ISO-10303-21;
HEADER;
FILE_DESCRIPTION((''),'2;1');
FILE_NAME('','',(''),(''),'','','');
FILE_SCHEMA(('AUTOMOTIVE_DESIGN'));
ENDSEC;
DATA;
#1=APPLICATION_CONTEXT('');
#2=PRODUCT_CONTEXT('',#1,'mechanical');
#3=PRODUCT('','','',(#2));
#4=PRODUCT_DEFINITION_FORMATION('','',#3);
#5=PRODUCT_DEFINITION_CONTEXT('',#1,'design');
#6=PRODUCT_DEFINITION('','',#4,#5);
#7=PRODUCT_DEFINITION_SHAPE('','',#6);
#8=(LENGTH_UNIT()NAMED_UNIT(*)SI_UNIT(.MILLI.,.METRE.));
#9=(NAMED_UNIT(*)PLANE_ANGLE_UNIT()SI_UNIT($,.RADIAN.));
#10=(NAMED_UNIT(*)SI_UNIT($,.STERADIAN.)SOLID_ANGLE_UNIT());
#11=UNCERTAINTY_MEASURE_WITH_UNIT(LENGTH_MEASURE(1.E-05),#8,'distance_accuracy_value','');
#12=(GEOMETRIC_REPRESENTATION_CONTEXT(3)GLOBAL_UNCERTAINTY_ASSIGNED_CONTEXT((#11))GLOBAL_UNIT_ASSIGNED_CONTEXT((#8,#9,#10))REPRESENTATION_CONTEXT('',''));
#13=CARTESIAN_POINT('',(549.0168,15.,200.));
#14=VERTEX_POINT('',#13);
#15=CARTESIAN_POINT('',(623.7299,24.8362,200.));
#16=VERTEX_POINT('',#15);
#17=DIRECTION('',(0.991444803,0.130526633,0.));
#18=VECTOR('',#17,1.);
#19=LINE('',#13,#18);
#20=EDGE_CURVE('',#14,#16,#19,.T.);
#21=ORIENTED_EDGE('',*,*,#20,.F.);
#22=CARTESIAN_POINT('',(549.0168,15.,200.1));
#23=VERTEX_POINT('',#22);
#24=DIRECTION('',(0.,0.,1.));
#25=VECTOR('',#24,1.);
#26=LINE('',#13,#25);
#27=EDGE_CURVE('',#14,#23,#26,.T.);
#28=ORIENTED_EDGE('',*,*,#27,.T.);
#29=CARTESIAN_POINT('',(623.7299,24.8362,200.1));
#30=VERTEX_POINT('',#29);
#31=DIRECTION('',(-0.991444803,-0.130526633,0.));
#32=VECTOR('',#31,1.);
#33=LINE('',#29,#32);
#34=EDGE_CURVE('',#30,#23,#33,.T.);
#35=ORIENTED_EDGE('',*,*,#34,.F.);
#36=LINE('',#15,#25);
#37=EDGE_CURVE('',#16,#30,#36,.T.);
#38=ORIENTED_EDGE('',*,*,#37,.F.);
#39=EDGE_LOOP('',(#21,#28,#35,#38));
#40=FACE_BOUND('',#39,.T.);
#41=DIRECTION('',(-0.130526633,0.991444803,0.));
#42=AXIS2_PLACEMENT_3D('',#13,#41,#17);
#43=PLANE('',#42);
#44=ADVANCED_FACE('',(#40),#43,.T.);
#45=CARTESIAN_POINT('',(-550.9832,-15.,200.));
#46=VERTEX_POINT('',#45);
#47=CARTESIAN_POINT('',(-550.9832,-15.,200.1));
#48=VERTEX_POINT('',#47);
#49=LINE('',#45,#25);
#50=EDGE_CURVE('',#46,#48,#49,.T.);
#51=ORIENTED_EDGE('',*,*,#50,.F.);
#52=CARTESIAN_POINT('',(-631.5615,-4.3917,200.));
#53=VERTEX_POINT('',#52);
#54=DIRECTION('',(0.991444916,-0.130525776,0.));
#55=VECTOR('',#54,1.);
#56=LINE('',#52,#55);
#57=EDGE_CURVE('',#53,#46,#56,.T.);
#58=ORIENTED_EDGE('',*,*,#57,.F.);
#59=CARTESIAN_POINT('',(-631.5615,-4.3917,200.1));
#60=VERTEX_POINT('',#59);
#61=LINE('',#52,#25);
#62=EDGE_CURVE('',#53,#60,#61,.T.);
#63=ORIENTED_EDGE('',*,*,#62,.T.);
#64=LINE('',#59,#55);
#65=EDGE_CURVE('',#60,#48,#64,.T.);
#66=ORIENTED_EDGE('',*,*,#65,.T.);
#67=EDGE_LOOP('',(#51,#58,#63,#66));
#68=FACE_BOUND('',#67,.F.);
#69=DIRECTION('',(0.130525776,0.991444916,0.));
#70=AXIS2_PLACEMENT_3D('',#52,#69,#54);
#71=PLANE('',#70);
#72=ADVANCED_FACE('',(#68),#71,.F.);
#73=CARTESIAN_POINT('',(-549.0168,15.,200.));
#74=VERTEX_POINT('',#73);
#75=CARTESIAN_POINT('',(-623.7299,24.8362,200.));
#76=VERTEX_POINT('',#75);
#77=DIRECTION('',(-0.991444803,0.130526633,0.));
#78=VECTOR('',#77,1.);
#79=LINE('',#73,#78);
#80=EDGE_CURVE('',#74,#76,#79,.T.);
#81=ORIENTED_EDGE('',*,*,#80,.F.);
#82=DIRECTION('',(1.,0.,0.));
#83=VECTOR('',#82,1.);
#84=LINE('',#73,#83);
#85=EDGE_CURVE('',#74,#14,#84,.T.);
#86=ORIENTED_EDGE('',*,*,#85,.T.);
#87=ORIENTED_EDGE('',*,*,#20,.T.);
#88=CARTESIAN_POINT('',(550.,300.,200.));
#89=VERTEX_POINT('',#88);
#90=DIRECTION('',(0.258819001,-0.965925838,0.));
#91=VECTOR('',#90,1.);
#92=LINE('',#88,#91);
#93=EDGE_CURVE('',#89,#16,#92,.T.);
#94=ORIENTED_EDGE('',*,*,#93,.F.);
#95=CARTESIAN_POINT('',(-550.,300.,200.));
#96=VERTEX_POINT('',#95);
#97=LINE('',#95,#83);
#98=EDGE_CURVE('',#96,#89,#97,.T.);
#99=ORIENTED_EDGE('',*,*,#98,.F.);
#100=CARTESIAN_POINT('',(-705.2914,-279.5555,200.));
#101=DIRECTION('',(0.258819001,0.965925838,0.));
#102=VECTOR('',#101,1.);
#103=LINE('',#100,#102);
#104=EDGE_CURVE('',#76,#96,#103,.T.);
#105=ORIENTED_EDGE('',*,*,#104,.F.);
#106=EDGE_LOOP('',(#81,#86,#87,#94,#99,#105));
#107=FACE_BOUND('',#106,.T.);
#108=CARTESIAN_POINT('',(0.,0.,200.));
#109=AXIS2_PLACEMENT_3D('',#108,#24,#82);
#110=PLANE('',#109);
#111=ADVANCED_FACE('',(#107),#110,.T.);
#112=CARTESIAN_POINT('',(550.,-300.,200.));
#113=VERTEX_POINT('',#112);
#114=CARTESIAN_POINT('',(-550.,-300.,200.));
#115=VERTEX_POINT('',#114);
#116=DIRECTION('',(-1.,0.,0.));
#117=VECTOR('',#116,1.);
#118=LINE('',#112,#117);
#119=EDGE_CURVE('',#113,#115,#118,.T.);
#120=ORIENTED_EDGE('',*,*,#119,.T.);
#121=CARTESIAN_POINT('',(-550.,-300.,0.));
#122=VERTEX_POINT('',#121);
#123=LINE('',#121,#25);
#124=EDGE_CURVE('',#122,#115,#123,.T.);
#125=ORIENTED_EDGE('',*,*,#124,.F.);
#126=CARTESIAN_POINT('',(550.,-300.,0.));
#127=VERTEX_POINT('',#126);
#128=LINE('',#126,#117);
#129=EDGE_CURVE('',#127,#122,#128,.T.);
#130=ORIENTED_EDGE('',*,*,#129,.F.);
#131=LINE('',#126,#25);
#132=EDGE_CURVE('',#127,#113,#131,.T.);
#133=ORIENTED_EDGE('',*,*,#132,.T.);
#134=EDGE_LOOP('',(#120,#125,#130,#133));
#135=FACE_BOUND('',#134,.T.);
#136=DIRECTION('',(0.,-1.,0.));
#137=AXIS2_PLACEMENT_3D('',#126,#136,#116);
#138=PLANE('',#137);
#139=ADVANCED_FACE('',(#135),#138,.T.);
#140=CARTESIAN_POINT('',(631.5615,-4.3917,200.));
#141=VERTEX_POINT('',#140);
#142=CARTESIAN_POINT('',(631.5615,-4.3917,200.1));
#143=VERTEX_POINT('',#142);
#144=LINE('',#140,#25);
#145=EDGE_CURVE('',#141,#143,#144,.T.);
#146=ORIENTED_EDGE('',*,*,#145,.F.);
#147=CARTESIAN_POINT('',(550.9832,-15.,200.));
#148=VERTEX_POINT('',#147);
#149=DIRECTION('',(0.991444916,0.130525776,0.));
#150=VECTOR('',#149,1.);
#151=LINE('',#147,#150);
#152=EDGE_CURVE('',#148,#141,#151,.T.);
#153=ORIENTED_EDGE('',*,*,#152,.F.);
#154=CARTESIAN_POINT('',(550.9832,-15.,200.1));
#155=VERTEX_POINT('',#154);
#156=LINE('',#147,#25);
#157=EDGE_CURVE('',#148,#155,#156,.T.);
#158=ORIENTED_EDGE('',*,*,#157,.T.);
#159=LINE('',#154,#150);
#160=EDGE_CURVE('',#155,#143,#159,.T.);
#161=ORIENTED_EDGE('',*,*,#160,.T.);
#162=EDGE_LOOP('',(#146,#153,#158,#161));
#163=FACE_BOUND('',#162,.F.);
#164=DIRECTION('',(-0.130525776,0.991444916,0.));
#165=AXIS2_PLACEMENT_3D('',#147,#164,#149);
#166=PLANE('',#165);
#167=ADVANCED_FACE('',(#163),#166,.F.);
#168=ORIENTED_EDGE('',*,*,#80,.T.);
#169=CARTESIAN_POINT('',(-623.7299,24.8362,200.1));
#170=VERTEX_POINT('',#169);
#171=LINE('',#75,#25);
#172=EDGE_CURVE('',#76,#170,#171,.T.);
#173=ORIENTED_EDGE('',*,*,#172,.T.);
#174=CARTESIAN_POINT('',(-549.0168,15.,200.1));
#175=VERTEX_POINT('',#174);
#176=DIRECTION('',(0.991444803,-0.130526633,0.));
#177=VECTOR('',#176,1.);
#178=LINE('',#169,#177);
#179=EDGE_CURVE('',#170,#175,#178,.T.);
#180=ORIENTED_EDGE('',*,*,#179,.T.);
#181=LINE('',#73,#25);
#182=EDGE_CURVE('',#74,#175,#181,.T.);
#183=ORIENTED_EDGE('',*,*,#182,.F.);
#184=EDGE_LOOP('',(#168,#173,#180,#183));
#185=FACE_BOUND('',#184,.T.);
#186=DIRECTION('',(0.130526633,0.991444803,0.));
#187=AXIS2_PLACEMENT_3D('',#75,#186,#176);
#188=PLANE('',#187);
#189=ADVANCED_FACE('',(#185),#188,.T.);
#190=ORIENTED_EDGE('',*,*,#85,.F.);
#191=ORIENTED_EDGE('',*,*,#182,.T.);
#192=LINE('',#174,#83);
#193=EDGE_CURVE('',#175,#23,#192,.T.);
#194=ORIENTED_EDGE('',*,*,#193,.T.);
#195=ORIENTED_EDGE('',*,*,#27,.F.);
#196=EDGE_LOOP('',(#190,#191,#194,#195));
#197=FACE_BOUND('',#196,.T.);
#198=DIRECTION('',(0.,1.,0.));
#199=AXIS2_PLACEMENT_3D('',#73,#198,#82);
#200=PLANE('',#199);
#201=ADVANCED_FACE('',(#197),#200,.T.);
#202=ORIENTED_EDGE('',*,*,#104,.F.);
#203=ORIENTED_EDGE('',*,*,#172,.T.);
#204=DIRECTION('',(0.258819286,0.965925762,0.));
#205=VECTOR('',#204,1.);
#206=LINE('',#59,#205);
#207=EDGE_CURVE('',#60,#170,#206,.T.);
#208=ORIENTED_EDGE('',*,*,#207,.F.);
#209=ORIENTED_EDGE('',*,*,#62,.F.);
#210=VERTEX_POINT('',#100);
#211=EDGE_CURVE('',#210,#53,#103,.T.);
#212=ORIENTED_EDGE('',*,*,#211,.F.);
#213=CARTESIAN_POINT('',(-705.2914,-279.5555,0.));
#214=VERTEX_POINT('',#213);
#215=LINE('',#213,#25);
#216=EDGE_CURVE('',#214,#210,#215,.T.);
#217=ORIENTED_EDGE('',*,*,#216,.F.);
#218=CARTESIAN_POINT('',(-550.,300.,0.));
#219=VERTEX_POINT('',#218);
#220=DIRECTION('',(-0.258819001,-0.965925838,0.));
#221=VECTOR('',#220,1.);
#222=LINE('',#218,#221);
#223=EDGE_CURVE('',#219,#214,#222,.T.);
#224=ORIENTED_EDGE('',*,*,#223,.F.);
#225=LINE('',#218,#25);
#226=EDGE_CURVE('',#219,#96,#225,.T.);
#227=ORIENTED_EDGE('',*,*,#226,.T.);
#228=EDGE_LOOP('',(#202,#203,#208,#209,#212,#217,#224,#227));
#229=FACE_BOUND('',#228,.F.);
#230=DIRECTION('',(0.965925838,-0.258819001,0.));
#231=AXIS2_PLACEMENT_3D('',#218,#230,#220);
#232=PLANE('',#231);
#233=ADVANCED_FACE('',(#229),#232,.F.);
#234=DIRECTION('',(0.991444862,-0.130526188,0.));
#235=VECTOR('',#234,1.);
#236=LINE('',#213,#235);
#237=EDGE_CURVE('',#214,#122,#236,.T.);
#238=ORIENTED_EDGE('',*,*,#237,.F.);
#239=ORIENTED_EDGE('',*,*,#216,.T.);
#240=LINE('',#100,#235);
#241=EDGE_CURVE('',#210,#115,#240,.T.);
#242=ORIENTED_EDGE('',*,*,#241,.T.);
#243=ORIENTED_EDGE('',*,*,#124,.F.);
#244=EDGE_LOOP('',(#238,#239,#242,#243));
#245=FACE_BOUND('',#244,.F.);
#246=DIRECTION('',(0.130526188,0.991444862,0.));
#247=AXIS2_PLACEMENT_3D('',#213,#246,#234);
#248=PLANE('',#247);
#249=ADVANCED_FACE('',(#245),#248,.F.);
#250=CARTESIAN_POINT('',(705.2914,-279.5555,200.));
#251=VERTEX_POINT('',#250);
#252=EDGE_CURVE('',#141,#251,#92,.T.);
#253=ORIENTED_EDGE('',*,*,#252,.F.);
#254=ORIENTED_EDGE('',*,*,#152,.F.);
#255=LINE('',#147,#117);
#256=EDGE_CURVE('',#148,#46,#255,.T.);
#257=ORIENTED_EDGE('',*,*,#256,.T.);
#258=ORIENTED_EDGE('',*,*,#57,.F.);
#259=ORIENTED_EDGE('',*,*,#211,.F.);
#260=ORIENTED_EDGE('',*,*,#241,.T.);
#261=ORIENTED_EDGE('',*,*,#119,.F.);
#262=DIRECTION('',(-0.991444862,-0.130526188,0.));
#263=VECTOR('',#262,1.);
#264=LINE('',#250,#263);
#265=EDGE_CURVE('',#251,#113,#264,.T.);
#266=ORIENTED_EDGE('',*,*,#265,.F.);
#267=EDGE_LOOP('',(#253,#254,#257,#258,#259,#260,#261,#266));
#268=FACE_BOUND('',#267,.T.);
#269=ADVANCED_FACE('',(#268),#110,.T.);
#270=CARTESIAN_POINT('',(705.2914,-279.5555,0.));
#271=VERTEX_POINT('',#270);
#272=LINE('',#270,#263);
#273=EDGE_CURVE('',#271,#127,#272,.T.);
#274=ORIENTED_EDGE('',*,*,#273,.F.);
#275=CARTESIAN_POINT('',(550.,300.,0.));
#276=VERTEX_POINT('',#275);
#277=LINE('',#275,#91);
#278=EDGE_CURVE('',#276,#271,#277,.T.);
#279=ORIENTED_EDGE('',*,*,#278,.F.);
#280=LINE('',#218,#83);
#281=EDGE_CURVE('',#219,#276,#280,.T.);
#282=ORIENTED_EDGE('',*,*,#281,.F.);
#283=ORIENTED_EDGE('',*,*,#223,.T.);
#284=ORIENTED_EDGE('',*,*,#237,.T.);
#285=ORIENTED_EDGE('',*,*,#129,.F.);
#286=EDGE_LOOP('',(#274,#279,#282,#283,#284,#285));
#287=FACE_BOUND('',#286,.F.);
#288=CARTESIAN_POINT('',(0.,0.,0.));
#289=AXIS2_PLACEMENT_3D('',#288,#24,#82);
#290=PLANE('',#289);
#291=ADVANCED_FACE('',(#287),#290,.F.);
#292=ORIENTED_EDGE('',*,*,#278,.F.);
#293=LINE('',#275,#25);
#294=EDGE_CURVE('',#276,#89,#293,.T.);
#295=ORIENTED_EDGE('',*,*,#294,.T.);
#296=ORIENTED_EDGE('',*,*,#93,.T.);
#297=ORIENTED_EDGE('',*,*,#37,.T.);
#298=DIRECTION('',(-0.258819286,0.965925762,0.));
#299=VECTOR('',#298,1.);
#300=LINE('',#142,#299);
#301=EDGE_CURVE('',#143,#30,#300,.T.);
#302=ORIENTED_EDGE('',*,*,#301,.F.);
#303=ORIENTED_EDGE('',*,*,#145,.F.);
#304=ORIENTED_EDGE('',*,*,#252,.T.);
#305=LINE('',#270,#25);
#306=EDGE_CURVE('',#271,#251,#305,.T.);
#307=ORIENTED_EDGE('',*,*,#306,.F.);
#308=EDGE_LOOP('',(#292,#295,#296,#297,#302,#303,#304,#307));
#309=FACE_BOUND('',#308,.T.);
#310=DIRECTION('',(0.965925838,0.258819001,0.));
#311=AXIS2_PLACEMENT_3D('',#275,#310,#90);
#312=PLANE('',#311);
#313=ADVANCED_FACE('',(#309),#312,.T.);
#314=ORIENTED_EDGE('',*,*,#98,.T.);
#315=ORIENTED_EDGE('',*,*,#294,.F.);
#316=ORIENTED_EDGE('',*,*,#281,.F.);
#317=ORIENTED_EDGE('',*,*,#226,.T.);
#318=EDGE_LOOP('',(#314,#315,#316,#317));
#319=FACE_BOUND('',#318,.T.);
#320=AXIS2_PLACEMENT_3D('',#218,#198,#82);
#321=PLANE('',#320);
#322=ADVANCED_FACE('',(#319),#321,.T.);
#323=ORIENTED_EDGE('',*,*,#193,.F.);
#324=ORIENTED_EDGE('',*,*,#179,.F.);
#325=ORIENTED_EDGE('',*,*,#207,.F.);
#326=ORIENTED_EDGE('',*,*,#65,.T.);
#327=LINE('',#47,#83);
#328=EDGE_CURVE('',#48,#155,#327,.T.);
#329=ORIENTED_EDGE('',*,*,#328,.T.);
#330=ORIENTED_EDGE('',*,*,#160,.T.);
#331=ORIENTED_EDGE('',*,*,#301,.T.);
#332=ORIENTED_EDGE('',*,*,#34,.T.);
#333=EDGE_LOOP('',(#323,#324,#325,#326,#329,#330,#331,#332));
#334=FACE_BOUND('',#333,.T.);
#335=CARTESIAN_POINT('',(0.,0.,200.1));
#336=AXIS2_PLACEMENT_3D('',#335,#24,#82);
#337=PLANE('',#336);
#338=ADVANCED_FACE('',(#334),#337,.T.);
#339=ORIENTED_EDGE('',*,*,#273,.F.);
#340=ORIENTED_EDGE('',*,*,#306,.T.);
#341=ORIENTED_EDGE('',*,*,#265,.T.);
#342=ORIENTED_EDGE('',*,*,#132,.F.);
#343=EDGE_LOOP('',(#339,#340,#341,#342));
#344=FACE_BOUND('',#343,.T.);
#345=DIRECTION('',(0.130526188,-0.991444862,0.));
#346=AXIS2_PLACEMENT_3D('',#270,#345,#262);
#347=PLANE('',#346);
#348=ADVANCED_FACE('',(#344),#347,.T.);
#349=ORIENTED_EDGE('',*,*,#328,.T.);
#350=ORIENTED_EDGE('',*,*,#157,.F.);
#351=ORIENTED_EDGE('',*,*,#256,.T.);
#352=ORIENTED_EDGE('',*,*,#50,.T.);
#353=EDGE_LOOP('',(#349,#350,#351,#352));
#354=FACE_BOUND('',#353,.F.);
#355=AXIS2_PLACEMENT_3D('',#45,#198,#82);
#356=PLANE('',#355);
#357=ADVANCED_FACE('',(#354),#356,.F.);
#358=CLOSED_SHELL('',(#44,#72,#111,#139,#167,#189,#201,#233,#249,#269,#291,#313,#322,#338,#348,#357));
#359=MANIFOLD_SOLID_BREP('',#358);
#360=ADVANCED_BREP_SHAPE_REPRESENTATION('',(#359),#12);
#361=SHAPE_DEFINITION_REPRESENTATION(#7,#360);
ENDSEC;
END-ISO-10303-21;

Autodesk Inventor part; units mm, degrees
ref_plane "YZ Plane" through (0, 0, 0) normal (1, 0, 0) x (0, 1, 0)
ref_plane "XZ Plane" through (0, 0, 0) normal (0, 1, 0) x (-1, 0, 0)
ref_plane "XY Plane" through (0, 0, 0) normal (0, 0, 1) x (1, 0, 0)
sketch "スケッチ1" plane through (0, 0, 0) normal (0, 0, 1) x (1, 0, 0)
  line L0 (-550, 300) -> (550, 300)
  line L1 (550, 300) -> (550, -300)
  line L2 (550, -300) -> (-550, -300)
  line L3 (-550, -300) -> (-550, 300)
  line L4 (-550, 300) -> (-705.2914, -279.5555)
  line L5 (-705.2914, -279.5555) -> (-550, -300)
  line L6 (-550, 0) -> (-627.6457, 10.2223)
  line L7 (550, 300) -> (705.2914, -279.5555)
  line L8 (705.2914, -279.5555) -> (550, -300)
  point P0 (0, 0)
  point P1 (0, 300)
  point P2 (550, 0)
  dimension "d0" = 600
  dimension "d1" = 1100
  dimension "d2" = 15
  dimension "d3" = 600
  dimension "d4" = 600
  dimension "d5" = 15
extrude "押し出し1" add sketch "スケッチ1" along normal blind 200
sketch "スケッチ2" plane through (0, 0, 200) normal (0, 0, 1) x (1, 0, 0)
  line L0 (-550, 300) -> (-705.2914, -279.5555) projected
  line L1 (705.2914, -279.5555) -> (550, 300) projected
  line L2 (550, 300) -> (-550, 300) projected
  line L3 (-550, 300) -> (-550, -300)
  line L4 (550, -300) -> (550, 300)
  line L5 (-627.6457, 10.2223) -> (-550, 0)
  line L6 (550, 0) -> (-550, 0)
  line L7 (550, 0) -> (627.6457, 10.2223)
  line L8 (-631.5615, -4.3917) -> (-550.9832, -15)
  line L9 (-550.9832, -15) -> (550.9832, -15)
  line L10 (550.9832, -15) -> (631.5615, -4.3917)
  line L11 (-623.7299, 24.8362) -> (-549.0168, 15)
  line L12 (-549.0168, 15) -> (549.0168, 15)
  line L13 (549.0168, 15) -> (623.7299, 24.8362)
  line L14 (631.5615, -4.3917) -> (623.7299, 24.8362)
  line L15 (-631.5615, -4.3917) -> (-623.7299, 24.8362)
  point P0 (0, 0)
  dimension "d8" = 15
  dimension "d10" = 15
  dimension "d11" = 30
  dimension "d12" = 15
  dimension "d13" = 30
  dimension "d14" = 15
extrude "押し出し2" add sketch "スケッチ2" along normal blind 0.1 contours L11 L3 L5 L0 | L11 L12 L13 L4 L6 L3 | L5 L3 L9 L8 L0 | L1 L7 L4 L13 | L6 L4 L9 L3 | L1 L10 L9 L4 L7
properties part number "Hill 1"
